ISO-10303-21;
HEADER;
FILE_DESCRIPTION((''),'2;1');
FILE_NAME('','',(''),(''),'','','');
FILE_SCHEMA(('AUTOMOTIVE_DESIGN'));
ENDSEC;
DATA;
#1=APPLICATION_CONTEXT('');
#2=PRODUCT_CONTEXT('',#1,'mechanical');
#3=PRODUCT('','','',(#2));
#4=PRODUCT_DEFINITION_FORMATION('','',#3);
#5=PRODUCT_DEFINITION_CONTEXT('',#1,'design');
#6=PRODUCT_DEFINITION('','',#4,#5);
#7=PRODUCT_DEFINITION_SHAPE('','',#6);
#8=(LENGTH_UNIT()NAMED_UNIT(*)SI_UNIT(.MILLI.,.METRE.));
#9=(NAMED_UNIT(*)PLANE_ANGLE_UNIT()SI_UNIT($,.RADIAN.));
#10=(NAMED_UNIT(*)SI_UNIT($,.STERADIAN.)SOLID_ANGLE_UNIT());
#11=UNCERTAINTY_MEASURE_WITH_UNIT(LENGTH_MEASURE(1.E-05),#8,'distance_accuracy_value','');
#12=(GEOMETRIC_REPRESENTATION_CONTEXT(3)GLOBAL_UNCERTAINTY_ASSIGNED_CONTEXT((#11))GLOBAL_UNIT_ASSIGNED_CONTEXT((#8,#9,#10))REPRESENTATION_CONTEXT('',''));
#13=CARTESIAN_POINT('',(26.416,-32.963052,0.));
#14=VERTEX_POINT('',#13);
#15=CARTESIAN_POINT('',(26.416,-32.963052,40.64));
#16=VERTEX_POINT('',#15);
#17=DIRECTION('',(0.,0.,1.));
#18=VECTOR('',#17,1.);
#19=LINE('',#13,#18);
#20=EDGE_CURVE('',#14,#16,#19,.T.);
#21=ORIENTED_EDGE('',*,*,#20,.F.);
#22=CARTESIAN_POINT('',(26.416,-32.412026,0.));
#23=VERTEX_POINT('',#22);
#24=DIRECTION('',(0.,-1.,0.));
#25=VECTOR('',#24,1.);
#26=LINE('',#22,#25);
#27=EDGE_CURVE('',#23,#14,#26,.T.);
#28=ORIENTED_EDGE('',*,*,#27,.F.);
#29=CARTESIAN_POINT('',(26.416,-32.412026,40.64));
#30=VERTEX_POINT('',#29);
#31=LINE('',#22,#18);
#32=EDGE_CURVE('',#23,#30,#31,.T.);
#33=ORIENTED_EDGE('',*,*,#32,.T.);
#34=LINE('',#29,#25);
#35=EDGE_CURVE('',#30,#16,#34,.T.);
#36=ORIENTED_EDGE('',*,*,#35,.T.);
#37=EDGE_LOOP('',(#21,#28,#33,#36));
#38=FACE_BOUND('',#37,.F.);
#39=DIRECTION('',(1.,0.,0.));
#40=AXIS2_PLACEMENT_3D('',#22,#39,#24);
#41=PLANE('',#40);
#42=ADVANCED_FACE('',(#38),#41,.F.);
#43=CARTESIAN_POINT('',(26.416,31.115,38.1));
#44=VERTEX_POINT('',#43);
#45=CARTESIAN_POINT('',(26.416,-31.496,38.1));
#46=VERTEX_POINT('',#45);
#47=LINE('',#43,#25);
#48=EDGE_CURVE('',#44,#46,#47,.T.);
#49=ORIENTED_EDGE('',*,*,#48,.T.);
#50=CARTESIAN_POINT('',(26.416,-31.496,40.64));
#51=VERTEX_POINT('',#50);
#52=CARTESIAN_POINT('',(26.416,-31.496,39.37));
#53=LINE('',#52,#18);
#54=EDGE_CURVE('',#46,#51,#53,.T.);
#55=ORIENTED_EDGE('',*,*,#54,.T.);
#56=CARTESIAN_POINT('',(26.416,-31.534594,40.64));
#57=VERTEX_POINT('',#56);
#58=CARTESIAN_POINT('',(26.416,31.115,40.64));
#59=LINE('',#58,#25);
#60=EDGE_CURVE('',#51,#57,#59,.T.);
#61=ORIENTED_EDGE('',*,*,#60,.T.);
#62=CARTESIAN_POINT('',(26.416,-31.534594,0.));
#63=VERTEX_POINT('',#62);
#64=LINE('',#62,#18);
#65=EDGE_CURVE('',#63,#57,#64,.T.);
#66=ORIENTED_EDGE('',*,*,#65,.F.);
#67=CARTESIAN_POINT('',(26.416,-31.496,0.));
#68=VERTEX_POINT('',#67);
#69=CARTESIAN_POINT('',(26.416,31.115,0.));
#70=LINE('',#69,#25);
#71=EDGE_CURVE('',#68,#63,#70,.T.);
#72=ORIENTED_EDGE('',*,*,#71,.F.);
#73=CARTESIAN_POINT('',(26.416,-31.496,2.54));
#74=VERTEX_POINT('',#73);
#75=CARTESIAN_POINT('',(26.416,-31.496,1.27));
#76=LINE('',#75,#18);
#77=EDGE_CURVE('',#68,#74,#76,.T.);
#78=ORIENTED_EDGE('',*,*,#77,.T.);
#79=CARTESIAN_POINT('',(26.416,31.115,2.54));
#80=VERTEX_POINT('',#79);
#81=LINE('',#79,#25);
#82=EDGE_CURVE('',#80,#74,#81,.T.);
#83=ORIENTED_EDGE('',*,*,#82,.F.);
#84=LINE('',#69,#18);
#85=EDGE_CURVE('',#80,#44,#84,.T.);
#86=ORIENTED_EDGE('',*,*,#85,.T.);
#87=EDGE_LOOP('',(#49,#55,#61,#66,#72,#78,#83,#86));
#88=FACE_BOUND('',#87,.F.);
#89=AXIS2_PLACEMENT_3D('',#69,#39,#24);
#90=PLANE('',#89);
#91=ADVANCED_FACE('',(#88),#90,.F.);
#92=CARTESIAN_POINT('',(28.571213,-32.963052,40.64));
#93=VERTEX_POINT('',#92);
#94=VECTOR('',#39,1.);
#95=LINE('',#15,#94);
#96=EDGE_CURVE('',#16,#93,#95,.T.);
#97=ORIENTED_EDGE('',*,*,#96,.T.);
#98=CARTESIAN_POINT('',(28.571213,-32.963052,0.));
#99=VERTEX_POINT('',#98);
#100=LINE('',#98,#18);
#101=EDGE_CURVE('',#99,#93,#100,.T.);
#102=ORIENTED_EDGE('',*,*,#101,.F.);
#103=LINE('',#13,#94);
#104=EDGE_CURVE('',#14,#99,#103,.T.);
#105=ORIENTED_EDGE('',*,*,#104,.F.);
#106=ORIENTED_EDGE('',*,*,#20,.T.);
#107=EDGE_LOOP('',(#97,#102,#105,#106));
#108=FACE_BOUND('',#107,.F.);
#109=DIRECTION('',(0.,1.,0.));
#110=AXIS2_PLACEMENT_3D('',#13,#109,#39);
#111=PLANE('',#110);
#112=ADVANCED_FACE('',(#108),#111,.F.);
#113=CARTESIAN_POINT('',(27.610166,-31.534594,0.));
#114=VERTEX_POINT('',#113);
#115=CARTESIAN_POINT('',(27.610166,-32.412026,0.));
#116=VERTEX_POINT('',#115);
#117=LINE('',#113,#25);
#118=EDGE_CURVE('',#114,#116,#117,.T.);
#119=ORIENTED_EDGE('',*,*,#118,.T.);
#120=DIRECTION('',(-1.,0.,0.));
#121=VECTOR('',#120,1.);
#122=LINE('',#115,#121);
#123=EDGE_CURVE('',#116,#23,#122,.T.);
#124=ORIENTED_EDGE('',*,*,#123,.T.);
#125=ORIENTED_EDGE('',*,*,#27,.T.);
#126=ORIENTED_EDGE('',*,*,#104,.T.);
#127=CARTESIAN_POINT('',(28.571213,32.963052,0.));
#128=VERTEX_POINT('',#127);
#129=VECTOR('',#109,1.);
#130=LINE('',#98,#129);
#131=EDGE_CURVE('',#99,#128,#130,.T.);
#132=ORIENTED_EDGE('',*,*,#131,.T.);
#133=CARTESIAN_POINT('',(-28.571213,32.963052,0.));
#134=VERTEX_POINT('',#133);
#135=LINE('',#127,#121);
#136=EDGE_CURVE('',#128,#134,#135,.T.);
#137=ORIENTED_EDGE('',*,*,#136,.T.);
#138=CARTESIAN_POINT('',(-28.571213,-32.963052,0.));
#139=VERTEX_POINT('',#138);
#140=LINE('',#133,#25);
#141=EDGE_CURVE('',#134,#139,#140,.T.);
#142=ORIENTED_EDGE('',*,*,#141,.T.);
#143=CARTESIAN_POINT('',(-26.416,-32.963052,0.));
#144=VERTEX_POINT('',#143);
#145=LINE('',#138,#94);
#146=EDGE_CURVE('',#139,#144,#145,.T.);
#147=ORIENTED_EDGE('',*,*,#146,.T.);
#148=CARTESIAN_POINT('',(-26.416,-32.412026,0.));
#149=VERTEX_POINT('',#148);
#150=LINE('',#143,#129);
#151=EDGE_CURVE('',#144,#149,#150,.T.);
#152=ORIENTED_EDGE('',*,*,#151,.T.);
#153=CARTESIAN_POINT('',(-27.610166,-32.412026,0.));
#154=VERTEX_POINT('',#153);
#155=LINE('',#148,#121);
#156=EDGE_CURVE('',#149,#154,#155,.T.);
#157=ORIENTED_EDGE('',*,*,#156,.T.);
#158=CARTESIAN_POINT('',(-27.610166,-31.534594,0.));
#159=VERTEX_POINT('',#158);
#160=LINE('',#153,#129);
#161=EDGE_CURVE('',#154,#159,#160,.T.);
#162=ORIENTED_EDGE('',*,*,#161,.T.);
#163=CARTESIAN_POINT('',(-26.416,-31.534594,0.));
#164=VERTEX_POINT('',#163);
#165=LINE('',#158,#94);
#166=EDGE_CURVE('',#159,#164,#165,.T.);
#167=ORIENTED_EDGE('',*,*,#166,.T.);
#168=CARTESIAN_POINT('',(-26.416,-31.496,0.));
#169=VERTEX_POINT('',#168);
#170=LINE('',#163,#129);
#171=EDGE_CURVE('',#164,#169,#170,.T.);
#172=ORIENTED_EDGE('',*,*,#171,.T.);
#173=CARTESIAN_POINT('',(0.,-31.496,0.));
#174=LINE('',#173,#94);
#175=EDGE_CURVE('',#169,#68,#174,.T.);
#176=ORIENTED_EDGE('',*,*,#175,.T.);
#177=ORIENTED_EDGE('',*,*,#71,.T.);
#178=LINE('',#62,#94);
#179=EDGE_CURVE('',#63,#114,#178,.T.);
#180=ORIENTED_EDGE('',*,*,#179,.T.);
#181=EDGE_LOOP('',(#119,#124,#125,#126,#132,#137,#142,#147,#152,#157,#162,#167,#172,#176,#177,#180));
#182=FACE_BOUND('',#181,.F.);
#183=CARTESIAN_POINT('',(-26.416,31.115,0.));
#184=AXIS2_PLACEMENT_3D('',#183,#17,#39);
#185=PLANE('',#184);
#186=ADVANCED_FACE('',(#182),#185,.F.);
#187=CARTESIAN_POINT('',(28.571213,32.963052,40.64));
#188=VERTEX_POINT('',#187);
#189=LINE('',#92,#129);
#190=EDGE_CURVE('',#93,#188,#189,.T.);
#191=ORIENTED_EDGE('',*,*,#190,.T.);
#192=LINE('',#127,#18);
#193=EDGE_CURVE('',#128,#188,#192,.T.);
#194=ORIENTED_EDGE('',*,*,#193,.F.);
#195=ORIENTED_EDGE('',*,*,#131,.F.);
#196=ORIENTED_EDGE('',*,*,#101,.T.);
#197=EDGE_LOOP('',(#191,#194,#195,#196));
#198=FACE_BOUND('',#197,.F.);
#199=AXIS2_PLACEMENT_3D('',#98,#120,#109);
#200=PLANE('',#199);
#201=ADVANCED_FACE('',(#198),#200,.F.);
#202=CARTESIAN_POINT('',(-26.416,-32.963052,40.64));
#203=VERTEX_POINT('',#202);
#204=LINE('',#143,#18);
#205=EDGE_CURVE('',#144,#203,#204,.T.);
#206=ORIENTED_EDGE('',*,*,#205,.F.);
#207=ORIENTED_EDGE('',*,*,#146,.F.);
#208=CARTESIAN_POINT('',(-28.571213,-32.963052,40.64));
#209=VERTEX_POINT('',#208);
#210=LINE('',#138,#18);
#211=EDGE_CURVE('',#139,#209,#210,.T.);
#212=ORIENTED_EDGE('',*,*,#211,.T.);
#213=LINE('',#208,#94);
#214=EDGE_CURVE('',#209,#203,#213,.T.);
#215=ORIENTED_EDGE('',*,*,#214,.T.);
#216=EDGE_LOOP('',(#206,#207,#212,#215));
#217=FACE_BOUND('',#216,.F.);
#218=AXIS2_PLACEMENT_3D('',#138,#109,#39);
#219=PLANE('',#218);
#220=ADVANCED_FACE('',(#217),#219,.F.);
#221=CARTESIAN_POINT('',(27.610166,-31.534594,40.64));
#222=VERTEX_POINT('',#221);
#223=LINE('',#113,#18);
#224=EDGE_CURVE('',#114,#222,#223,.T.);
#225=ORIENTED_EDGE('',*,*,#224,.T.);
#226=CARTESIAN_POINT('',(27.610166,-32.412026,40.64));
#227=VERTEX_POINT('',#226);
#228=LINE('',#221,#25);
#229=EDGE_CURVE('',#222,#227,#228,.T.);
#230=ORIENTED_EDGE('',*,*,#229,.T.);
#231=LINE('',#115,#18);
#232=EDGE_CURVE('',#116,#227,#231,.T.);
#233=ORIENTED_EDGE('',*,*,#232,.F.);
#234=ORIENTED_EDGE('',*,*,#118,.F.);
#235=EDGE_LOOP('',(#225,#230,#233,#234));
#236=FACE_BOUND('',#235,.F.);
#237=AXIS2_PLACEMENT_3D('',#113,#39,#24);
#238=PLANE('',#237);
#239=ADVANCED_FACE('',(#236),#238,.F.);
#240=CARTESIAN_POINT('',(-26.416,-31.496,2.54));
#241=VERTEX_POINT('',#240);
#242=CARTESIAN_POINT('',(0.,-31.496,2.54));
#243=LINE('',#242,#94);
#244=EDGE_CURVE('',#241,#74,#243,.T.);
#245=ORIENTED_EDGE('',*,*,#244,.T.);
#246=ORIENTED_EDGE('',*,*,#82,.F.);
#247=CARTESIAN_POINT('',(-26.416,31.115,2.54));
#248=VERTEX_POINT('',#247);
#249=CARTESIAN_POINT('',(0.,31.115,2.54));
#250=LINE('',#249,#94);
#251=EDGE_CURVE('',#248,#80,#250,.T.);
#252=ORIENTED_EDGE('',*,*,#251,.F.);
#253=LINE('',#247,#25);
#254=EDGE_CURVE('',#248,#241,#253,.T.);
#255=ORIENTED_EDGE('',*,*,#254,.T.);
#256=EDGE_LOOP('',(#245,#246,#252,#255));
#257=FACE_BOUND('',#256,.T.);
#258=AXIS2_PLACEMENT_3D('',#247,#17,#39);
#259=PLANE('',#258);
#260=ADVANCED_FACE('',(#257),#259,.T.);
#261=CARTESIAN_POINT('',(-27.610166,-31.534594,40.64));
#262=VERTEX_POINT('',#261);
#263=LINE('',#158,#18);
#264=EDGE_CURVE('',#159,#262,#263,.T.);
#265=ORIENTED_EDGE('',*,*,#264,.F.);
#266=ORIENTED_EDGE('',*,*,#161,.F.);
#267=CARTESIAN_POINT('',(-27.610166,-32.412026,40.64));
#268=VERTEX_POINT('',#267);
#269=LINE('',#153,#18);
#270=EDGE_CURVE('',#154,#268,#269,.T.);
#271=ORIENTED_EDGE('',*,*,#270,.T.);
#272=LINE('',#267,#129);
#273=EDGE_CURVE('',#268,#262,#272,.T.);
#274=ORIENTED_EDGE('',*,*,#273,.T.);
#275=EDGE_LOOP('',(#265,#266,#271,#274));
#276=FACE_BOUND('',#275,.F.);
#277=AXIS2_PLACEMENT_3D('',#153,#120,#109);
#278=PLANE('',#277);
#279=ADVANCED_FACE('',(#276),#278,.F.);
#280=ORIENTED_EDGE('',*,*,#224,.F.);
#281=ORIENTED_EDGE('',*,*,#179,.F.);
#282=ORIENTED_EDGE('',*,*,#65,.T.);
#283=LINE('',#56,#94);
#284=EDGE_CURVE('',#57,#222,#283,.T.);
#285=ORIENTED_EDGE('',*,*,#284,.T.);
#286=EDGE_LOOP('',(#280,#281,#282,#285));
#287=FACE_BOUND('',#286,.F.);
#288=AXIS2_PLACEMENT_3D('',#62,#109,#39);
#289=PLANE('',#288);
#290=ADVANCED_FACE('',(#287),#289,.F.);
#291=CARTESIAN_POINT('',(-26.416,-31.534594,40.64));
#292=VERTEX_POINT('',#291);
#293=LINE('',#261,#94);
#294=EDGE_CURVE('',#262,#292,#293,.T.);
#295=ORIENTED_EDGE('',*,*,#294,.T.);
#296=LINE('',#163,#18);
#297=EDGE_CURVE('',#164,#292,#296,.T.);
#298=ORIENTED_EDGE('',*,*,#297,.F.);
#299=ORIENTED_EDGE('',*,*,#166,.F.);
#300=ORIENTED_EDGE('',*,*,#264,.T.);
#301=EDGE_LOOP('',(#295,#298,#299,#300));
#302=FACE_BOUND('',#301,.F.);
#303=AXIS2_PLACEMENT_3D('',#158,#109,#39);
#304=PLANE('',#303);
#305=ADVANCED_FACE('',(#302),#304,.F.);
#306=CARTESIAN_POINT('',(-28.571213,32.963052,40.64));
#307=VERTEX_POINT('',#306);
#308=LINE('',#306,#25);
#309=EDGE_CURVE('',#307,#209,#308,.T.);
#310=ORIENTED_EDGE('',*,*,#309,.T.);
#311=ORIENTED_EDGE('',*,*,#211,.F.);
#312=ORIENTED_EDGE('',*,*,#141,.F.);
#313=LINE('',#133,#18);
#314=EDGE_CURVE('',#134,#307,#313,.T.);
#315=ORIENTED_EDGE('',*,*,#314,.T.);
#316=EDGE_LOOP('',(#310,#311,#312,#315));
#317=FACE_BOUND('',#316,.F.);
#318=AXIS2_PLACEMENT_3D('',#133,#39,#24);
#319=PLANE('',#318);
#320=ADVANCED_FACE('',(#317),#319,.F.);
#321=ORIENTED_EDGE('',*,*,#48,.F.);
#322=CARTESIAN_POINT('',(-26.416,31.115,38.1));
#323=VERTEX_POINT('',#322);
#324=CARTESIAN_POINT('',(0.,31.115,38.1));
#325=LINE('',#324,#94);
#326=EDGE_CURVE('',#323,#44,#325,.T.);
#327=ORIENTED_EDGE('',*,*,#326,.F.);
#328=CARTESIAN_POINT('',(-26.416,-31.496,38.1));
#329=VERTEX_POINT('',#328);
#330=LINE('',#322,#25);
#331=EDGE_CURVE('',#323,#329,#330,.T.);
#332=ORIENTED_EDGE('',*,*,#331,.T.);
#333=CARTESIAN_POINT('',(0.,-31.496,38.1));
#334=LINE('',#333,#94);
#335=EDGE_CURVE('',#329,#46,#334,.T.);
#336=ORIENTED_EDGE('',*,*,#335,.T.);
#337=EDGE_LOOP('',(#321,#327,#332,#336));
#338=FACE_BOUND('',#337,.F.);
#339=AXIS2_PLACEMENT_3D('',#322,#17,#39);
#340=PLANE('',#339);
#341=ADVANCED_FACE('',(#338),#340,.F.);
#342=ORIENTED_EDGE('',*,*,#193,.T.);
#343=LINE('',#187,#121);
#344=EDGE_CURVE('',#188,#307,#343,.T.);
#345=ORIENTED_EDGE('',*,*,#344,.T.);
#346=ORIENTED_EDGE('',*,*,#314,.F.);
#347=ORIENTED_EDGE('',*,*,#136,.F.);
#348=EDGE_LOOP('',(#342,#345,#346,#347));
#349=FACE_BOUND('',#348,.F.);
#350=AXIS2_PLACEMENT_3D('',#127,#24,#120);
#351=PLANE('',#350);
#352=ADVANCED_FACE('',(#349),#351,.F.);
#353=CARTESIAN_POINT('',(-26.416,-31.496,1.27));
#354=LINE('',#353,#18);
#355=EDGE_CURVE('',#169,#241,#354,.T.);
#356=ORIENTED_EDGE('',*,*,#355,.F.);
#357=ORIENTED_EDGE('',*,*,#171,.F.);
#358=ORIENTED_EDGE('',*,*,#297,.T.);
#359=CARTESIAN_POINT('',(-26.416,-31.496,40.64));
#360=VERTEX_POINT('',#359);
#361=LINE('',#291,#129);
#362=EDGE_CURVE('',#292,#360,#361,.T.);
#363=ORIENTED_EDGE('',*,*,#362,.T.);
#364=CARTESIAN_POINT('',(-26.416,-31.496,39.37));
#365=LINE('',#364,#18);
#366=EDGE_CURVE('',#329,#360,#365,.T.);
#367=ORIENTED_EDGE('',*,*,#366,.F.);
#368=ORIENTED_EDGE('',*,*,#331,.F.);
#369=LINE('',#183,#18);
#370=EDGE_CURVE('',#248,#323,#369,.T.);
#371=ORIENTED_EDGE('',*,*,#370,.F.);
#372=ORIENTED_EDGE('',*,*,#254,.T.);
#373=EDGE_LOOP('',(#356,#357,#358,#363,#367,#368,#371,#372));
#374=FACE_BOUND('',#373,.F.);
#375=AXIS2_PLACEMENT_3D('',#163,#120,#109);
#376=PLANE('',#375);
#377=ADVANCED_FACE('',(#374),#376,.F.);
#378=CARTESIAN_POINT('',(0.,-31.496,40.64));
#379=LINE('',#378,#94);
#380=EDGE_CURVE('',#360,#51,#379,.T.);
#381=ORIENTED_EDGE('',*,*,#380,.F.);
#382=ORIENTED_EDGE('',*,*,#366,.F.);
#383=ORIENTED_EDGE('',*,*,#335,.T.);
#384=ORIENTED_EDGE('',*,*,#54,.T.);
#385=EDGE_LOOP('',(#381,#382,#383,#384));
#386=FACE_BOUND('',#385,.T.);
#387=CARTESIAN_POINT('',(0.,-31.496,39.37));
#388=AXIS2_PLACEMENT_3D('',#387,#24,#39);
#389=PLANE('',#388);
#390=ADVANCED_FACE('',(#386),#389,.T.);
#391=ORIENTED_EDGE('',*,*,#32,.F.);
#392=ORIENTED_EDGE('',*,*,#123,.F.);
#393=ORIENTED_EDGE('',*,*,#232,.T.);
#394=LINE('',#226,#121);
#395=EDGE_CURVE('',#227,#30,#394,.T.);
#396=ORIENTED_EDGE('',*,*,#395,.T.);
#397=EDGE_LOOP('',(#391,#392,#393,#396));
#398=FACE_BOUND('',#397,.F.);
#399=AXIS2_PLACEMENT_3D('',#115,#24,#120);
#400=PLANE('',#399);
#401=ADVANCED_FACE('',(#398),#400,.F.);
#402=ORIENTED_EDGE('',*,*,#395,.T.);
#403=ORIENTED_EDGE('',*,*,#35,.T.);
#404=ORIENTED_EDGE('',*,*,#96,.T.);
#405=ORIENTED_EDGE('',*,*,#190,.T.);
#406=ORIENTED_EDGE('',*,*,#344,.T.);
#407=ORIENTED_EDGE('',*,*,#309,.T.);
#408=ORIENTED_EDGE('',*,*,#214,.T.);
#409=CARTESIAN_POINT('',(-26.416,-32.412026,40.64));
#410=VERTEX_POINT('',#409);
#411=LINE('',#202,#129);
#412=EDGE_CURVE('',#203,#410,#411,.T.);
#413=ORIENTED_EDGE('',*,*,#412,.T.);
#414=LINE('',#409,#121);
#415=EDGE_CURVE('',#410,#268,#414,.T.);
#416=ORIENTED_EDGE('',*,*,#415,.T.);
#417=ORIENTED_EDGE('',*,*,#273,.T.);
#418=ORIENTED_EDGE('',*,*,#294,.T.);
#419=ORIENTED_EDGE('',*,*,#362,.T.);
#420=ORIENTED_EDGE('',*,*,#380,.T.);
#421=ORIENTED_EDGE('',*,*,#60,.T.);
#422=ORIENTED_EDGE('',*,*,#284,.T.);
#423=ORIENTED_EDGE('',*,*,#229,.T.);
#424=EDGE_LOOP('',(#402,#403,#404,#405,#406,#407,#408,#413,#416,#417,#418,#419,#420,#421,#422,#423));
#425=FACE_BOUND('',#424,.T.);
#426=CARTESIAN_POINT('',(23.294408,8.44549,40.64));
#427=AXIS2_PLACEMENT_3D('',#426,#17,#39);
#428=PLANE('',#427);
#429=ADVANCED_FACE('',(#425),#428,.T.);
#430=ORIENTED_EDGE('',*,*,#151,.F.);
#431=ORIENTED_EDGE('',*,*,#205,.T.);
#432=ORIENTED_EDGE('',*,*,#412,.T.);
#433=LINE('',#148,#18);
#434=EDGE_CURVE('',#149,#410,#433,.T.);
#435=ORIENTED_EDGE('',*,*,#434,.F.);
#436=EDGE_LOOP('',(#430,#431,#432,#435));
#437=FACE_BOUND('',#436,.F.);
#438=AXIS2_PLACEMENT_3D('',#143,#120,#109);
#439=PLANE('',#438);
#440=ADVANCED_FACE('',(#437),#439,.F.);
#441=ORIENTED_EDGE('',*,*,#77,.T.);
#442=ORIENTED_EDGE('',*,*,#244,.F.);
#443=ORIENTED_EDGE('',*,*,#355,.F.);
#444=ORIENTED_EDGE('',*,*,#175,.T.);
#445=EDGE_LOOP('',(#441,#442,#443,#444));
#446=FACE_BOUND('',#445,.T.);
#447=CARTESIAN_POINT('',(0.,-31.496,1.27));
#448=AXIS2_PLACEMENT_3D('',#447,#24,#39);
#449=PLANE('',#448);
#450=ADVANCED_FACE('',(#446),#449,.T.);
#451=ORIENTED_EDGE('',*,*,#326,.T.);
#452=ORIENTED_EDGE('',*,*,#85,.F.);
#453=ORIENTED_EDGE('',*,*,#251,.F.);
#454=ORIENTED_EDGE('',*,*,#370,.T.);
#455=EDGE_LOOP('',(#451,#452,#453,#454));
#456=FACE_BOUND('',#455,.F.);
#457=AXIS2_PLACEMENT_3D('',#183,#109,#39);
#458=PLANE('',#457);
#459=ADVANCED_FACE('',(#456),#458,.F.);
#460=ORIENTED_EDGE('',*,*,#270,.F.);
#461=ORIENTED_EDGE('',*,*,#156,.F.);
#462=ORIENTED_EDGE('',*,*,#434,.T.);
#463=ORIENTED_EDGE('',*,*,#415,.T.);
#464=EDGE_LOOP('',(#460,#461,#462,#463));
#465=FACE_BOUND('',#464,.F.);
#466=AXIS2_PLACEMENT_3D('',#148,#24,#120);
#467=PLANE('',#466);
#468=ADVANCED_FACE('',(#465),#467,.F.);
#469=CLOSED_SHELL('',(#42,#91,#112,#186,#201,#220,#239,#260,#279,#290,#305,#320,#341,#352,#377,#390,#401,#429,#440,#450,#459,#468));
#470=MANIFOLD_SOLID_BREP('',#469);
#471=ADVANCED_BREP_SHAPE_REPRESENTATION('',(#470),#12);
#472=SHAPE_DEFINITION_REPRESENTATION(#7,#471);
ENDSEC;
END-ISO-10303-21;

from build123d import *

# Parameters (mm, degrees)
F1_DEPTH = 40.64
F2_W     = 52.832
F2_H     = 2.54
F3_DEPTH = 62.611


with BuildPart() as f1:
    # F0 (on Top) → F1 (new body)
    with BuildSketch(Plane.XY):
        Polygon((0, 31.115), (26.416, 31.115), (26.416, -31.115), (26.416, -31.534594), (27.610166, -31.534594), (27.610166, -32.412026), (26.416, -32.412026), (26.416, -32.963052), (28.571213, -32.963052), (28.571213, 32.963052), (0, 32.963052), align=None)
        Polygon((-26.416, 31.115), (0, 31.115), (0, 32.963052), (-28.571213, 32.963052), (-28.571213, -32.963052), (-26.416, -32.963052), (-26.416, -32.412026), (-27.610166, -32.412026), (-27.610166, -31.534594), (-26.416, -31.534594), (-26.416, -31.115), align=None)
    extrude(amount=F1_DEPTH)

    # F2 (on face) → F3 (join)
    with BuildSketch(Plane.XZ.offset(-31.115)):
        with Locations((0, 1.27)):
            Rectangle(F2_W, F2_H)
        with Locations((0, 39.37)):
            Rectangle(F2_W, F2_H)
    extrude(amount=F3_DEPTH)


solid = f1.part
